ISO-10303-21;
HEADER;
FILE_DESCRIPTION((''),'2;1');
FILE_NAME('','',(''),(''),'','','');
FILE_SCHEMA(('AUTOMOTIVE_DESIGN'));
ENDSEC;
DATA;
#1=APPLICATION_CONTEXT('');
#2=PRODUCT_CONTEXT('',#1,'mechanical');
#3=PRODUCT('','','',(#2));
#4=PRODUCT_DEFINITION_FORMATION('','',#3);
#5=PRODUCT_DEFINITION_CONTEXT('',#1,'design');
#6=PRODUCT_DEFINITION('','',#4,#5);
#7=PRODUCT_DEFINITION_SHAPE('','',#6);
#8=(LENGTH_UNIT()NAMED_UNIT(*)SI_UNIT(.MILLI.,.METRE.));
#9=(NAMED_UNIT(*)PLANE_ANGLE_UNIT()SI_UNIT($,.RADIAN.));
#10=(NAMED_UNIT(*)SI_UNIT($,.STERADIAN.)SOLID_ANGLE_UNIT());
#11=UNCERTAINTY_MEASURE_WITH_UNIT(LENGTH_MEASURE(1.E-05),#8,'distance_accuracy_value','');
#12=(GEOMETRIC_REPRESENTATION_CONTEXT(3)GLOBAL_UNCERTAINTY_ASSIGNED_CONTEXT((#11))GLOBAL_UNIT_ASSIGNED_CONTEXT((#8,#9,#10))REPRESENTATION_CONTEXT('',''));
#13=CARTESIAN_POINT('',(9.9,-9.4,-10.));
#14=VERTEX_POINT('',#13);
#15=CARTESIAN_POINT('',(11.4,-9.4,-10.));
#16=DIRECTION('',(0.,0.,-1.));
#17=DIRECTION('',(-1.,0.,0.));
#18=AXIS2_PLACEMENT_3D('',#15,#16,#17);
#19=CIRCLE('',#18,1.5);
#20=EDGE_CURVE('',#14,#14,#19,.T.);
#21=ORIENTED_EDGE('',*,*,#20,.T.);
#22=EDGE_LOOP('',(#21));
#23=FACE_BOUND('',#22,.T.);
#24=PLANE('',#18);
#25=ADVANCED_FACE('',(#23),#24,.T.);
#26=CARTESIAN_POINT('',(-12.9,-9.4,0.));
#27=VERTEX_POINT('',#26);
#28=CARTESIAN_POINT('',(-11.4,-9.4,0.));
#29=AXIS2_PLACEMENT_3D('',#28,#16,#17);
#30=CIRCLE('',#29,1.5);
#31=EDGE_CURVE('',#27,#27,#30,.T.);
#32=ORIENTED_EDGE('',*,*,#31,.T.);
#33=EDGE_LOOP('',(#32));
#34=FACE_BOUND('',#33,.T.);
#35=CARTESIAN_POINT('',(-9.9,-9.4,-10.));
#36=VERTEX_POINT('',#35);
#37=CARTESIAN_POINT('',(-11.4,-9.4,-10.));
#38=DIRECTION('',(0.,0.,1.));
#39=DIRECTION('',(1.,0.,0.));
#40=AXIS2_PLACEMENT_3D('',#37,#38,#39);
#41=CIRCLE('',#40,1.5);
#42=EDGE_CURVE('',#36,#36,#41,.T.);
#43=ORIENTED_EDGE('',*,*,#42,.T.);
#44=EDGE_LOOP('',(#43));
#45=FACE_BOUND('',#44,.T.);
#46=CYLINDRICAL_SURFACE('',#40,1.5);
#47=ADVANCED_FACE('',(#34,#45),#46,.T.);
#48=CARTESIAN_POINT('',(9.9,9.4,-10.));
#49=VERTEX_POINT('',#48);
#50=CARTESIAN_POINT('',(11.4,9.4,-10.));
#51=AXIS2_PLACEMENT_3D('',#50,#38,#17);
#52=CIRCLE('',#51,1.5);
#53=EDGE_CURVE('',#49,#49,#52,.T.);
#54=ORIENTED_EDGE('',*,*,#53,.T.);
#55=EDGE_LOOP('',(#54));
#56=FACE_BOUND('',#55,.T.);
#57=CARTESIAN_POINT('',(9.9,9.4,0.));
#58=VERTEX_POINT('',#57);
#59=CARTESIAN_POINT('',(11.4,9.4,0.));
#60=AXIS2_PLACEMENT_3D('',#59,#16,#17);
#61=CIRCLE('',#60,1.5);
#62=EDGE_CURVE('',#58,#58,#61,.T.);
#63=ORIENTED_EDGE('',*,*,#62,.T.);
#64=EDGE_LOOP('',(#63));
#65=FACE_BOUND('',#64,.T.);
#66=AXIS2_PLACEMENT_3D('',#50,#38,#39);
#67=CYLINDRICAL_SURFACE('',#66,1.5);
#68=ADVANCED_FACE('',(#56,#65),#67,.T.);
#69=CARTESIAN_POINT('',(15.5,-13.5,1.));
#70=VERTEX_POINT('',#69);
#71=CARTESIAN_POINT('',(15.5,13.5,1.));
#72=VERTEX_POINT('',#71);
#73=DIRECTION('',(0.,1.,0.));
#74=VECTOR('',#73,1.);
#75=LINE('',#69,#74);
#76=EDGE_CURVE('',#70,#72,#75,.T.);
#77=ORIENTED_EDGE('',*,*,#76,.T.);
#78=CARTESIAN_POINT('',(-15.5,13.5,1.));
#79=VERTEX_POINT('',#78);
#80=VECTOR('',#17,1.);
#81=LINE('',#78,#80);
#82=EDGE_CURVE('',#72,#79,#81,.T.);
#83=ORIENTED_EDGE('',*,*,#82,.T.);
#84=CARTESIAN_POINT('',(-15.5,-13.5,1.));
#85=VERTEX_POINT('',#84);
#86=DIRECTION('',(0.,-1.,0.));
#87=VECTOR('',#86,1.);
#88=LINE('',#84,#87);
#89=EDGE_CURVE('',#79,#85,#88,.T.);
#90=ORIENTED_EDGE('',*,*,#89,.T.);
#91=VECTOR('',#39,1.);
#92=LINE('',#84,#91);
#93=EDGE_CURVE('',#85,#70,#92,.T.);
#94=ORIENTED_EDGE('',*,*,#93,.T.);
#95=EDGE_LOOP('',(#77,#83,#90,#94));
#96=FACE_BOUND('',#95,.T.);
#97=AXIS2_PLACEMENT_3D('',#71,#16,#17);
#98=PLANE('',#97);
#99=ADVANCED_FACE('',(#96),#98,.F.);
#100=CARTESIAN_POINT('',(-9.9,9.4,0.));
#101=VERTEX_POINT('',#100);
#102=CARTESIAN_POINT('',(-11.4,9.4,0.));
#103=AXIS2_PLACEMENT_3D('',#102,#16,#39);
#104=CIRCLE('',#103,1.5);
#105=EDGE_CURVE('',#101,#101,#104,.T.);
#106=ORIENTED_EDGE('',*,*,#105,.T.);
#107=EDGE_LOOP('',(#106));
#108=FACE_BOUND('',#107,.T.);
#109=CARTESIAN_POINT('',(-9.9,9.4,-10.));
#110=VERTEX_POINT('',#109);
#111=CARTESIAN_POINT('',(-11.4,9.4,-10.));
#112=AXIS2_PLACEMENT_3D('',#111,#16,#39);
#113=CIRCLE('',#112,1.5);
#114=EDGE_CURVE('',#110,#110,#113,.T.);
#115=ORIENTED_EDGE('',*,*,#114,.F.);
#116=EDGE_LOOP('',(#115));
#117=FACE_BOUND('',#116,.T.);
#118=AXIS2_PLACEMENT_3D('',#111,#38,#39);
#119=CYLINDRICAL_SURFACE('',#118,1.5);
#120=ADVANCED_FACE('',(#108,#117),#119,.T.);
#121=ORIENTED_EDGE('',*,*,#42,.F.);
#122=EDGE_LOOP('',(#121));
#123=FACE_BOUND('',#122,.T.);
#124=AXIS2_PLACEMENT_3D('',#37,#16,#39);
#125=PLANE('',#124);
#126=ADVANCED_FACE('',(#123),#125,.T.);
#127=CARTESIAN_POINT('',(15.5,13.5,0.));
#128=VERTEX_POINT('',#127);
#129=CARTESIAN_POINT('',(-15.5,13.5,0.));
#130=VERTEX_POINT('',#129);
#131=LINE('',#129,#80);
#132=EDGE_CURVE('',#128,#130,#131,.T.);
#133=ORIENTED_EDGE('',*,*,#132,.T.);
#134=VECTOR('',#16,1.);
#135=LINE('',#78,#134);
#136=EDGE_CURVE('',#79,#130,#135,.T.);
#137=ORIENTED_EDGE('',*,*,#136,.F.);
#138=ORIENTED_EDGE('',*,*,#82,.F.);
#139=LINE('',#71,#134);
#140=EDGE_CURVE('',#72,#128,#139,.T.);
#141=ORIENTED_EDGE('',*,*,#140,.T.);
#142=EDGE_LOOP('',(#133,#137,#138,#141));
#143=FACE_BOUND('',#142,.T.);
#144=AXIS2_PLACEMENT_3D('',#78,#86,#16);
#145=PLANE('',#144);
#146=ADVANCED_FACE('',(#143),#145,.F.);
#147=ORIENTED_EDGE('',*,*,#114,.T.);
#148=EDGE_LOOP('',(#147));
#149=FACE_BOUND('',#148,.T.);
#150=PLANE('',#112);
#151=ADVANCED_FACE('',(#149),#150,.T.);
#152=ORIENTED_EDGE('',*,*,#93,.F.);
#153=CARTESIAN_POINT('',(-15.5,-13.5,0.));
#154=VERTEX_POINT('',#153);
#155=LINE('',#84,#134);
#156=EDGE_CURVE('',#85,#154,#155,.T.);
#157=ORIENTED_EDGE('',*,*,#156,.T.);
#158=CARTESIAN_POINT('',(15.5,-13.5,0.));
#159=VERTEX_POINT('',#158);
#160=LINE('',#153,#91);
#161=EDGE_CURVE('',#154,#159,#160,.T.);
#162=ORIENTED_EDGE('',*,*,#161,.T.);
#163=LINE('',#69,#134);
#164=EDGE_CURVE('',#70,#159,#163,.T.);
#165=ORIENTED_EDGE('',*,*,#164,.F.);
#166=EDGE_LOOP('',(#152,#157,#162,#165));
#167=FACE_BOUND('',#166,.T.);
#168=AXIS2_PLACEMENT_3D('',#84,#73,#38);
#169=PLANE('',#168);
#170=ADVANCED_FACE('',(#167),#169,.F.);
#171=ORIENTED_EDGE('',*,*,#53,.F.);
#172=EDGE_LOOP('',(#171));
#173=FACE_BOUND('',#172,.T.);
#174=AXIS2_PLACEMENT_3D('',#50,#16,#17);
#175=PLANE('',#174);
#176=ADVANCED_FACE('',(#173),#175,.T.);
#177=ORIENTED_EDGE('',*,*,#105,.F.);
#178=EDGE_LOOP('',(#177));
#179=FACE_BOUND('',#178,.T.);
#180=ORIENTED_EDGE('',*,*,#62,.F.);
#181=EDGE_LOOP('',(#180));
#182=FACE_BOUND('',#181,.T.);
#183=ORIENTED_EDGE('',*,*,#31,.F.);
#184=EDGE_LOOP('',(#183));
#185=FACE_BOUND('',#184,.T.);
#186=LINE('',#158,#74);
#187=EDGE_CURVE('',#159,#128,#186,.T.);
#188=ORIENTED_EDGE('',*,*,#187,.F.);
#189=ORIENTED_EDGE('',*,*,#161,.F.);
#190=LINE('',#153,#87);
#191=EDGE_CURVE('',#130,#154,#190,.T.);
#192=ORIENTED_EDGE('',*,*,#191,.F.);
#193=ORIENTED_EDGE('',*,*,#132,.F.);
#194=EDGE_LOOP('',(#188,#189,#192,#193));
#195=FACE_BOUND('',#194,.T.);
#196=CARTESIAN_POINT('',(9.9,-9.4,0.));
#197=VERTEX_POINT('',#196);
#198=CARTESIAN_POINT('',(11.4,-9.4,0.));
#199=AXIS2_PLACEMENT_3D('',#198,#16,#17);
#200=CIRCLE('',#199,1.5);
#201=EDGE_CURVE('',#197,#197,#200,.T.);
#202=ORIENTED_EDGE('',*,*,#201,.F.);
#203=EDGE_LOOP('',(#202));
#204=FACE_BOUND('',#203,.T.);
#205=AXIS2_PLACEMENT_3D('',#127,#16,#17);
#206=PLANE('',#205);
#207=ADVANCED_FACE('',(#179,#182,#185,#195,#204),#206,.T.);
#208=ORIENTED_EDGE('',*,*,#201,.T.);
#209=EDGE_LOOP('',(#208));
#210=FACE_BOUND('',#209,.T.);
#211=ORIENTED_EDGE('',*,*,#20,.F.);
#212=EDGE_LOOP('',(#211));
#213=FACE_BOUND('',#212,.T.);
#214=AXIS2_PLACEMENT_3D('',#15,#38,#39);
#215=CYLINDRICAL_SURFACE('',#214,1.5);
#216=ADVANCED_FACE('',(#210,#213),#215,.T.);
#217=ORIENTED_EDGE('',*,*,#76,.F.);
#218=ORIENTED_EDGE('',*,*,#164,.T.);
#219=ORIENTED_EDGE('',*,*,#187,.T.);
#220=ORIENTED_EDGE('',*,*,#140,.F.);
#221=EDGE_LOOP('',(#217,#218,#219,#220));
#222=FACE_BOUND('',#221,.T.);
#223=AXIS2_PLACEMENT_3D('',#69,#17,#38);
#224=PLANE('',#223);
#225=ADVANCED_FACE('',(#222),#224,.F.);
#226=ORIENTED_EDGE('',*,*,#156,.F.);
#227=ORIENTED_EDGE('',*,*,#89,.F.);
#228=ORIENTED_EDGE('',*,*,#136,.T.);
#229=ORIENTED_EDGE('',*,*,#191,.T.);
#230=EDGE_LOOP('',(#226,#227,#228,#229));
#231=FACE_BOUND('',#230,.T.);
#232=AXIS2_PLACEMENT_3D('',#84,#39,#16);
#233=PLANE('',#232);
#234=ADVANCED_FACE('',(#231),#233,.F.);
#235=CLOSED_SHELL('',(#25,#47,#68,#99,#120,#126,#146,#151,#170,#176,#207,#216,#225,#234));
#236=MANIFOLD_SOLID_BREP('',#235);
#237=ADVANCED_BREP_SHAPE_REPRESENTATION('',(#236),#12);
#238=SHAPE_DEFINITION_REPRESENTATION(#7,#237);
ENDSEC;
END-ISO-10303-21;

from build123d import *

# Parameters (mm, degrees)
SKETCH1_W               = 31
SKETCH1_H               = 27
BOSS_EXTRUDE1_DEPTH     = 1
SKETCH2_R               = 1.5
BOSS_EXTRUDE2_DEPTH     = 10
MIRROR2_COPY_1_SKETCH_R = 1.5
MIRROR2_COPY_1_DEPTH    = 10


with BuildPart() as part:
    # Sketch1 → Boss-Extrude1 (new body)
    with BuildSketch(Plane.XY):
        Rectangle(SKETCH1_W, SKETCH1_H)
    extrude(amount=BOSS_EXTRUDE1_DEPTH)

    # Sketch2 → Boss-Extrude2 (add)
    with BuildSketch(Plane(origin=(0, 0, 0), x_dir=(-1, 0, 0), z_dir=(0, 0, -1))):
        with Locations((-11.4, -9.4)):
            Circle(SKETCH2_R)
    boss_extrude2 = extrude(amount=BOSS_EXTRUDE2_DEPTH)

    # Mirror1: Boss-Extrude2 across plane
    add(boss_extrude2.mirror(Plane.ZX))

    # Mirror2: Boss-Extrude2 across plane
    add(boss_extrude2.mirror(Plane(origin=(0, 0, 0), x_dir=(0, 0, 1), z_dir=(1, 0, 0))))

    # Mirror2 copy 1 sketch → Mirror2 copy 1 (add)
    with BuildSketch(Plane(origin=(0, 0, 0), x_dir=(1, 0, 0), z_dir=(0, 0, -1))):
        with Locations((-11.4, -9.4)):
            Circle(MIRROR2_COPY_1_SKETCH_R)
    extrude(amount=MIRROR2_COPY_1_DEPTH)


solid = part.part
